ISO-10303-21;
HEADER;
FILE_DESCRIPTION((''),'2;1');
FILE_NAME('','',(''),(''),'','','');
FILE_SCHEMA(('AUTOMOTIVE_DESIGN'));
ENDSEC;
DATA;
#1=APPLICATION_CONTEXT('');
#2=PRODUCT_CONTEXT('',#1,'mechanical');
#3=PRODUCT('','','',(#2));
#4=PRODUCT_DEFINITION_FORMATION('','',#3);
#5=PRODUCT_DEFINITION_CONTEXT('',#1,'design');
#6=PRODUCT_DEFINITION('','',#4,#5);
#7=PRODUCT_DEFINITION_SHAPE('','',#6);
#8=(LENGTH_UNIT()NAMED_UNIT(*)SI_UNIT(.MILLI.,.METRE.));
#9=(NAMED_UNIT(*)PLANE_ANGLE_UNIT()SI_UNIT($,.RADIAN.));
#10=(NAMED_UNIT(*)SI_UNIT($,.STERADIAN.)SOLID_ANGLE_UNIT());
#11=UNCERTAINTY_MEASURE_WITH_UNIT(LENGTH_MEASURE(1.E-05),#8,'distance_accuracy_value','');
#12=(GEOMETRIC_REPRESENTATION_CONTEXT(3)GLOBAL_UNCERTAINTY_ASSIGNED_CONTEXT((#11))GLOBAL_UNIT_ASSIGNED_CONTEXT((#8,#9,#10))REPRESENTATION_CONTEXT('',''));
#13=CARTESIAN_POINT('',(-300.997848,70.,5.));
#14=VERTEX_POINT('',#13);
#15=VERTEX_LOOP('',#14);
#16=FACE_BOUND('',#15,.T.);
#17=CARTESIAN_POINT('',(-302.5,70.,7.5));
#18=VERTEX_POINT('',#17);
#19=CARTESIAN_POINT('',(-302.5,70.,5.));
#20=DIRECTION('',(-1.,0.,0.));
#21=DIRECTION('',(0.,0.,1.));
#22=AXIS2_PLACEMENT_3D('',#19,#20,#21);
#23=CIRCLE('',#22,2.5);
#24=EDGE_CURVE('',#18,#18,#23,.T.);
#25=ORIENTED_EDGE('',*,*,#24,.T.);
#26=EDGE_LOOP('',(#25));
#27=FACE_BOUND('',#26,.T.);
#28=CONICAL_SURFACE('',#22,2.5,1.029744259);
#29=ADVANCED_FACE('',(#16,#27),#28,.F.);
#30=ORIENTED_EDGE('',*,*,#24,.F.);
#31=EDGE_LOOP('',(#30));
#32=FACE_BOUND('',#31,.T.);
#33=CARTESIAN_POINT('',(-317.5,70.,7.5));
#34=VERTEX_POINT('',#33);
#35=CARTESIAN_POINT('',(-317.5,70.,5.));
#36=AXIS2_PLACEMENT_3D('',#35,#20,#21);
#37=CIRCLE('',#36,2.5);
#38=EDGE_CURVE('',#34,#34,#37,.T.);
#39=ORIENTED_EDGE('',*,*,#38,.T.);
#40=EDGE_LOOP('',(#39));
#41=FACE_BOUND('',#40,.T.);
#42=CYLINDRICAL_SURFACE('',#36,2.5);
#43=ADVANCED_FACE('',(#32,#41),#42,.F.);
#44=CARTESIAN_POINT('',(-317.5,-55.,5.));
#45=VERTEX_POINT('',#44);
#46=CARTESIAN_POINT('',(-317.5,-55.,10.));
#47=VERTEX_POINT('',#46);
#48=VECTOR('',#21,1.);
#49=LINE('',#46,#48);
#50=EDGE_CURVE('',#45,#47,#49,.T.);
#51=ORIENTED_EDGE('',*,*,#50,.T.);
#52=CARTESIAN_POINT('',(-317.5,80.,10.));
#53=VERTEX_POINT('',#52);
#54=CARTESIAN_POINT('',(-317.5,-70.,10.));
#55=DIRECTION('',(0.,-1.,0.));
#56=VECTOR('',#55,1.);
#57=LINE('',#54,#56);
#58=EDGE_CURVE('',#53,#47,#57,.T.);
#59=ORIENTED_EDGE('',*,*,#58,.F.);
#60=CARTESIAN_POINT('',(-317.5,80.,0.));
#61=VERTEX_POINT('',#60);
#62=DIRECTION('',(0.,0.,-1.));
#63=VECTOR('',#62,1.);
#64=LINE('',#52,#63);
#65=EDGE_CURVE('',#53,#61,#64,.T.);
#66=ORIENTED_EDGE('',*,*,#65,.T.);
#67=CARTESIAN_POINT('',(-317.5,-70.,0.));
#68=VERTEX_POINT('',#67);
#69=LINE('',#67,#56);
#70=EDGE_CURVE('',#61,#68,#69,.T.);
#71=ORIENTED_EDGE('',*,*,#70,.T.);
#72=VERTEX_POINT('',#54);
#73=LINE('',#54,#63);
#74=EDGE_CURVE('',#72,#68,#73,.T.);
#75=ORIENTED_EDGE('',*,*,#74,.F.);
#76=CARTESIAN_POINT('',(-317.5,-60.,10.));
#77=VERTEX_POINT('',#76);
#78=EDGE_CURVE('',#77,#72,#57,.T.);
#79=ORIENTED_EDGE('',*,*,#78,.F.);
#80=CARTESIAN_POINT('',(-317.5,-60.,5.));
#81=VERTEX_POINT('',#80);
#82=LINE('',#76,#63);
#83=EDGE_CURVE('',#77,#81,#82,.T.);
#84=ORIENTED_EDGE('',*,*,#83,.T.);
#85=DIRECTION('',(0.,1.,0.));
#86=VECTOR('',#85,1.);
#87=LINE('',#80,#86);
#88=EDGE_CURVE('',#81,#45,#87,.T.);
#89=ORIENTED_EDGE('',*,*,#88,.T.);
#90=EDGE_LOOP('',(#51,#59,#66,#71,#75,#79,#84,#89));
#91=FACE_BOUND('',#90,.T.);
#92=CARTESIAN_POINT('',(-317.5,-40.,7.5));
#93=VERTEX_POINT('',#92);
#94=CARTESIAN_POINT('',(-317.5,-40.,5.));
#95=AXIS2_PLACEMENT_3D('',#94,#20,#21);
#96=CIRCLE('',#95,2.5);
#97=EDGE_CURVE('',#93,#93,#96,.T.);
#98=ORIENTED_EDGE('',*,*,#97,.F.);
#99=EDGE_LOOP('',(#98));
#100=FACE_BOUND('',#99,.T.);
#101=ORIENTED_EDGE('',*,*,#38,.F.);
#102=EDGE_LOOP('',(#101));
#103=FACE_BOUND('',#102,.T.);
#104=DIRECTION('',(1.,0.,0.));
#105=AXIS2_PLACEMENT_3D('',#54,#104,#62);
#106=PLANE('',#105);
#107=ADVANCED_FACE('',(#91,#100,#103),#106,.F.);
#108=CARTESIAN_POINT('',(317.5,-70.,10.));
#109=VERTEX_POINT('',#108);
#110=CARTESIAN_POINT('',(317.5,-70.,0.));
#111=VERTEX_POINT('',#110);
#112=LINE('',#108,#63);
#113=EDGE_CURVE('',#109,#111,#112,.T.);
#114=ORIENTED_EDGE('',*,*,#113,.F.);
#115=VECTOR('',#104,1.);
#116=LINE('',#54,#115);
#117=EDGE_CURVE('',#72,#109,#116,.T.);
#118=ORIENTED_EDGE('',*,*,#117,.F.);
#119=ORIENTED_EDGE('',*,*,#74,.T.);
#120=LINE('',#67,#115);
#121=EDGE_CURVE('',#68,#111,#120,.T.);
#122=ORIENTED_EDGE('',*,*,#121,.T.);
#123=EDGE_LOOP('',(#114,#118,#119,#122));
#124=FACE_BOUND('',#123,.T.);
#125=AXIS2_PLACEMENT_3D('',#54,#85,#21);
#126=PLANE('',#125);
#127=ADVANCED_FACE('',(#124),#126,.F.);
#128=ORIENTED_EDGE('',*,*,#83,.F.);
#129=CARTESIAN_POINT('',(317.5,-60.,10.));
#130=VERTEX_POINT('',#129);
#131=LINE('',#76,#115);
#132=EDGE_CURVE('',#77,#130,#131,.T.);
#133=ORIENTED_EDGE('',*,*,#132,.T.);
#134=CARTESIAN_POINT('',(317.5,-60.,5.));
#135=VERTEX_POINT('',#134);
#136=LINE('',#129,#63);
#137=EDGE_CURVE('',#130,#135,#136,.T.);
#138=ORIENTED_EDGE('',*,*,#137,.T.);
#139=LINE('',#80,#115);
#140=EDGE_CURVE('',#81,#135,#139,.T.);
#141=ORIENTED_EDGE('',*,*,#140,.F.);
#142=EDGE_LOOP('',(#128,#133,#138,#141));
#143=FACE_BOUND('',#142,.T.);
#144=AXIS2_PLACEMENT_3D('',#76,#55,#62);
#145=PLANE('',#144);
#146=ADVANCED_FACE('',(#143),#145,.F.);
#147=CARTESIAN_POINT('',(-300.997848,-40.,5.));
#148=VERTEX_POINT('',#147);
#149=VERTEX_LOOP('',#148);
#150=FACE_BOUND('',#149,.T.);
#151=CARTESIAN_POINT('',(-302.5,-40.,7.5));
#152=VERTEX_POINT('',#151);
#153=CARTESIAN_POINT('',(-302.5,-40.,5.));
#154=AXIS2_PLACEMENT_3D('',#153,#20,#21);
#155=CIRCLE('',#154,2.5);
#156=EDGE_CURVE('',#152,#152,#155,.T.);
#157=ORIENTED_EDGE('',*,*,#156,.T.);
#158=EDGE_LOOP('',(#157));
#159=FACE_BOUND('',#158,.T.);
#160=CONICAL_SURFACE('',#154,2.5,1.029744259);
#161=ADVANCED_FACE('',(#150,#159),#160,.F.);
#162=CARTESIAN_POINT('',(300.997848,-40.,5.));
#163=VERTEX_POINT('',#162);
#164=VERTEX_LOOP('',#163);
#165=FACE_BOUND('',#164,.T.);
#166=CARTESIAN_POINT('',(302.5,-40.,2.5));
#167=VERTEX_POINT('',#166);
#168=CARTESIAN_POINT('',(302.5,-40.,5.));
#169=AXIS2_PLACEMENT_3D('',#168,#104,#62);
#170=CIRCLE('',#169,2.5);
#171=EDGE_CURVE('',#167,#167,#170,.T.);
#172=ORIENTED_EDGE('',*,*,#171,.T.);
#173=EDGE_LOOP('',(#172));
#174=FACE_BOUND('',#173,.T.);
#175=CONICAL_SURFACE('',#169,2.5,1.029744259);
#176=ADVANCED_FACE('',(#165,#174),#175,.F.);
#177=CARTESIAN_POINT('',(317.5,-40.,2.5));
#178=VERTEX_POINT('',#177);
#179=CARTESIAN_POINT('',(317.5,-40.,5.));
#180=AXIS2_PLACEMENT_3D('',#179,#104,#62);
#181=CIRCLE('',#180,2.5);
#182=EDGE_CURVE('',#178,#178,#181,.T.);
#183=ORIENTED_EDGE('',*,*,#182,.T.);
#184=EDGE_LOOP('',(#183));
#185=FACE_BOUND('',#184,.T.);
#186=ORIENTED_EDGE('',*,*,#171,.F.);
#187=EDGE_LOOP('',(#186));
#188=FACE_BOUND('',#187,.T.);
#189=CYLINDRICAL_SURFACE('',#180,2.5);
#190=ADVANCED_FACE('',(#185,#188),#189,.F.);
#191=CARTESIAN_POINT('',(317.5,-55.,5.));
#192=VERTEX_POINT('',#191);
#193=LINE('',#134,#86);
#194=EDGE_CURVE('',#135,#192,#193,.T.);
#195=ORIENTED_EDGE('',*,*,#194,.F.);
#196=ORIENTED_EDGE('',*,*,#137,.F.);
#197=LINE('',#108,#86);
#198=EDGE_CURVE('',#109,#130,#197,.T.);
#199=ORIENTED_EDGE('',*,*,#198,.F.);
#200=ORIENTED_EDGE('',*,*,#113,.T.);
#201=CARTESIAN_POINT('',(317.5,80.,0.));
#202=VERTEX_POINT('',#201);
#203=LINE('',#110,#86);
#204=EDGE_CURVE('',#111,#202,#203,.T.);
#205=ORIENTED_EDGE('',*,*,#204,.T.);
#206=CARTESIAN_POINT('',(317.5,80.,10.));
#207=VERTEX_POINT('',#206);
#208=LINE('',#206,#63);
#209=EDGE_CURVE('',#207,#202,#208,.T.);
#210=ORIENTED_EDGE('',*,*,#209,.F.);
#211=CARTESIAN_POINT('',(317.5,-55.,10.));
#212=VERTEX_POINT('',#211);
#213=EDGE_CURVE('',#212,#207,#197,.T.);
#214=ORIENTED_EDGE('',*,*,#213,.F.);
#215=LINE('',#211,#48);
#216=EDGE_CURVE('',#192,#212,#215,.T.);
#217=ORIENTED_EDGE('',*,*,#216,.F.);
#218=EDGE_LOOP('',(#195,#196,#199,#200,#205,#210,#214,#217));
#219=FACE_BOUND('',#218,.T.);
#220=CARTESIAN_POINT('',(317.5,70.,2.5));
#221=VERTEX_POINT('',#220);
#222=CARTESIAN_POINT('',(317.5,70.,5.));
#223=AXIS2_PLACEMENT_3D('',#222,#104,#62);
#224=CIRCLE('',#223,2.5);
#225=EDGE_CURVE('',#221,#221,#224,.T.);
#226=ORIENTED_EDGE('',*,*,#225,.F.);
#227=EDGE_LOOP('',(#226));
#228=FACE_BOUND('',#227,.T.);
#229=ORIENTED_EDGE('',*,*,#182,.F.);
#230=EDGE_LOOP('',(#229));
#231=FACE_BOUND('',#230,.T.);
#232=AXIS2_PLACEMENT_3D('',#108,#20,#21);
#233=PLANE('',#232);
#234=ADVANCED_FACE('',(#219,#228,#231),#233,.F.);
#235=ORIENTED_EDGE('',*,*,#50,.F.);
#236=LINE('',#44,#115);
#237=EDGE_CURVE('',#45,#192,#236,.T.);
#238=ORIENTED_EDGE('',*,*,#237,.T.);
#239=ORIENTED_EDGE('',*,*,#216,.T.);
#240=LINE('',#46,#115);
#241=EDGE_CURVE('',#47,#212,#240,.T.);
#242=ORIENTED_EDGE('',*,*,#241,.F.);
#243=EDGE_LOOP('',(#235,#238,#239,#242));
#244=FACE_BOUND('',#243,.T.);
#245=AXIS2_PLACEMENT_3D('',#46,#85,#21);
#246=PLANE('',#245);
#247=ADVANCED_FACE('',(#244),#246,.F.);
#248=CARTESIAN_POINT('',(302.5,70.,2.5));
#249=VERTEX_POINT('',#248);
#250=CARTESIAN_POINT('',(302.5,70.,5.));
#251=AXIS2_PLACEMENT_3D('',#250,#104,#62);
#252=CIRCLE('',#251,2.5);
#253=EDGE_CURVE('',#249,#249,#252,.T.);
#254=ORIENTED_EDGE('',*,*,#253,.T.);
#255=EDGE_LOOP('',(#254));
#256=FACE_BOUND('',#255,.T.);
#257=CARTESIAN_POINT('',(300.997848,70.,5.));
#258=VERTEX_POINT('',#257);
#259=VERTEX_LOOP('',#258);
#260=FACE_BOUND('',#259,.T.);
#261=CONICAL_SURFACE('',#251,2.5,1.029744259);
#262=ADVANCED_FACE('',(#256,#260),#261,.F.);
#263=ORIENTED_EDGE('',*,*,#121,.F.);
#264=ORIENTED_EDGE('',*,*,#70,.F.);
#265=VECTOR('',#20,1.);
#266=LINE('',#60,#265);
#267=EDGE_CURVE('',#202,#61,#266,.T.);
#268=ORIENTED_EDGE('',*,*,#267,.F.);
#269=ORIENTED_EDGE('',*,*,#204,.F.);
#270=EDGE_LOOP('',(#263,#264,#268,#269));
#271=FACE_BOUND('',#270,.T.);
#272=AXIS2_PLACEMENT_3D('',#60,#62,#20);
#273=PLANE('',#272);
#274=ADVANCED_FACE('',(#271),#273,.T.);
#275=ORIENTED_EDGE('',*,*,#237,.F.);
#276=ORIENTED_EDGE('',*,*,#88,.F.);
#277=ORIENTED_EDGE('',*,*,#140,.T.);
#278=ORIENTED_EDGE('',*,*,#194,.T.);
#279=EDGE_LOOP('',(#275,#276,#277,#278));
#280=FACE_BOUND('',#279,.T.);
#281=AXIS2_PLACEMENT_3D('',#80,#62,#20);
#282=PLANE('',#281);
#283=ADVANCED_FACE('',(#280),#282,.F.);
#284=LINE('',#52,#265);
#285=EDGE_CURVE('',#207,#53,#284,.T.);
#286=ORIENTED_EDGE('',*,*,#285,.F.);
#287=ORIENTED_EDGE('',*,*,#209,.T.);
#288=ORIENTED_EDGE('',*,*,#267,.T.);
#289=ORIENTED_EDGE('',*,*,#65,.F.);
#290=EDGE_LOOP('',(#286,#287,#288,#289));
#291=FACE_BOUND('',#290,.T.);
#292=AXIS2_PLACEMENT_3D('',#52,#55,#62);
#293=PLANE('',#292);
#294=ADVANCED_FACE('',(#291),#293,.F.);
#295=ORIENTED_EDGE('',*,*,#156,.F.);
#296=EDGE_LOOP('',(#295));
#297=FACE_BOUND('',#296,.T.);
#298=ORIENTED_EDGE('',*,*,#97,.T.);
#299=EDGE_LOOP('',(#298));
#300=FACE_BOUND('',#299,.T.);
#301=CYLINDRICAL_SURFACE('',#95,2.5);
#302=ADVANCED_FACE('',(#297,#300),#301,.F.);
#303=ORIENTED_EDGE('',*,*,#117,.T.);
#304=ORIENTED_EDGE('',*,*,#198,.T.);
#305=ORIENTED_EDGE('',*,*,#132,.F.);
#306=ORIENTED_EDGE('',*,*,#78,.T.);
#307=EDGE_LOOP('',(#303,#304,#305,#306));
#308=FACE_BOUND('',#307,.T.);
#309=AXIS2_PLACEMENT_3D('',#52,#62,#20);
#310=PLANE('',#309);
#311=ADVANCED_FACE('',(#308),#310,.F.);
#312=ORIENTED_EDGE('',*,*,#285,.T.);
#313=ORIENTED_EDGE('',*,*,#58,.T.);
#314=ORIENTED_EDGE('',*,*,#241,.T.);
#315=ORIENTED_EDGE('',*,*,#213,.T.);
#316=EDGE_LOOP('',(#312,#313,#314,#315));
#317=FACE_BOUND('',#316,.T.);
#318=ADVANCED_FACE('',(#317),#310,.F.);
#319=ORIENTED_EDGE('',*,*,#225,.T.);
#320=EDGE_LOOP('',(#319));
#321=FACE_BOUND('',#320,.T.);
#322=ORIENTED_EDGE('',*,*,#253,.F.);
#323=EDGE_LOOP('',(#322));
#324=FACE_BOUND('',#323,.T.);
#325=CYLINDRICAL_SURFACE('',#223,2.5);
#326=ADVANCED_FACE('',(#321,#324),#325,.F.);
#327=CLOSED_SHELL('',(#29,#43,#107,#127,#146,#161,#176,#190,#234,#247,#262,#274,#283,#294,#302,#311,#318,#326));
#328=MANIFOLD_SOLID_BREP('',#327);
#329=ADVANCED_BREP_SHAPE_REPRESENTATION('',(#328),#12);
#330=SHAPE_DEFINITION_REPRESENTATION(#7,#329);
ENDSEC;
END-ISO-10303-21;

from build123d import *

# Parameters (mm, degrees)
SKETCH1_W                               = 635
SKETCH1_H                               = 150
BASE_EXTRUDE_DEPTH                      = 10
SKETCH2_W                               = 5
SKETCH2_H                               = 5
CUT_EXTRUDE1_DEPTH                      = 641.097648801
M5_0_5_000000_DIAMETER_HOLE1_AT_2_COUNT = 2
M5_0_5_000000_DIAMETER_HOLE1_AT_2_PITCH = 110


with BuildPart() as part:
    # Sketch1 → Base-Extrude (new body)
    with BuildSketch(Plane.XY):
        with Locations((0, 5)):
            Rectangle(SKETCH1_W, SKETCH1_H)
    extrude(amount=BASE_EXTRUDE_DEPTH)

    # Sketch2 → Cut-Extrude1 (cut, through all)
    with BuildSketch(Plane(origin=(317.5, 0, 0), x_dir=(0, 0, -1), z_dir=(1, 0, 0))):
        with Locations((-7.5, -57.5)):
            Rectangle(SKETCH2_W, SKETCH2_H)
    extrude(amount=-CUT_EXTRUDE1_DEPTH, mode=Mode.SUBTRACT)

    # Sketch4 → M5.0 (5.000000) Diameter Hole1 (revolve, cut)
    with BuildSketch(Plane(origin=(317.5, 70, 5), x_dir=(0, 0, -1), z_dir=(0, 1, 0))):
        Polygon((0, 0), (0, 16.502151548), (2.5, 15), (2.5, 0), align=None)
    m5_0_5_000000_diameter_hole1 = revolve(axis=Axis((323.85, 70, 5), (-1, 0, 0)), mode=Mode.SUBTRACT)

    # M5.0 (5.000000) Diameter Hole1 at 2: M5.0 (5.000000) Diameter Hole1 ×2
    with Locations(*[(0, -i * M5_0_5_000000_DIAMETER_HOLE1_AT_2_PITCH, 0) for i in range(1, M5_0_5_000000_DIAMETER_HOLE1_AT_2_COUNT)]):
        add(m5_0_5_000000_diameter_hole1, mode=Mode.SUBTRACT)

    # Mirror1: M5.0 (5.000000) Diameter Hole1 across plane
    add(m5_0_5_000000_diameter_hole1.mirror(Plane(origin=(0, 0, 0), x_dir=(0, 0, 1), z_dir=(1, 0, 0))), mode=Mode.SUBTRACT)

    # Mirror1 copy 1 sketch → Mirror1 copy 1 (revolve, cut)
    with BuildSketch(Plane(origin=(-317.5, -40, 5), x_dir=(0, 0, -1), z_dir=(0, 1, 0))):
        Polygon((0, 0), (0, -16.502151548), (2.5, -15), (2.5, 0), align=None)
    revolve(axis=Axis((-323.85, -40, 5), (-1, 0, 0)), mode=Mode.SUBTRACT)


solid = part.part
